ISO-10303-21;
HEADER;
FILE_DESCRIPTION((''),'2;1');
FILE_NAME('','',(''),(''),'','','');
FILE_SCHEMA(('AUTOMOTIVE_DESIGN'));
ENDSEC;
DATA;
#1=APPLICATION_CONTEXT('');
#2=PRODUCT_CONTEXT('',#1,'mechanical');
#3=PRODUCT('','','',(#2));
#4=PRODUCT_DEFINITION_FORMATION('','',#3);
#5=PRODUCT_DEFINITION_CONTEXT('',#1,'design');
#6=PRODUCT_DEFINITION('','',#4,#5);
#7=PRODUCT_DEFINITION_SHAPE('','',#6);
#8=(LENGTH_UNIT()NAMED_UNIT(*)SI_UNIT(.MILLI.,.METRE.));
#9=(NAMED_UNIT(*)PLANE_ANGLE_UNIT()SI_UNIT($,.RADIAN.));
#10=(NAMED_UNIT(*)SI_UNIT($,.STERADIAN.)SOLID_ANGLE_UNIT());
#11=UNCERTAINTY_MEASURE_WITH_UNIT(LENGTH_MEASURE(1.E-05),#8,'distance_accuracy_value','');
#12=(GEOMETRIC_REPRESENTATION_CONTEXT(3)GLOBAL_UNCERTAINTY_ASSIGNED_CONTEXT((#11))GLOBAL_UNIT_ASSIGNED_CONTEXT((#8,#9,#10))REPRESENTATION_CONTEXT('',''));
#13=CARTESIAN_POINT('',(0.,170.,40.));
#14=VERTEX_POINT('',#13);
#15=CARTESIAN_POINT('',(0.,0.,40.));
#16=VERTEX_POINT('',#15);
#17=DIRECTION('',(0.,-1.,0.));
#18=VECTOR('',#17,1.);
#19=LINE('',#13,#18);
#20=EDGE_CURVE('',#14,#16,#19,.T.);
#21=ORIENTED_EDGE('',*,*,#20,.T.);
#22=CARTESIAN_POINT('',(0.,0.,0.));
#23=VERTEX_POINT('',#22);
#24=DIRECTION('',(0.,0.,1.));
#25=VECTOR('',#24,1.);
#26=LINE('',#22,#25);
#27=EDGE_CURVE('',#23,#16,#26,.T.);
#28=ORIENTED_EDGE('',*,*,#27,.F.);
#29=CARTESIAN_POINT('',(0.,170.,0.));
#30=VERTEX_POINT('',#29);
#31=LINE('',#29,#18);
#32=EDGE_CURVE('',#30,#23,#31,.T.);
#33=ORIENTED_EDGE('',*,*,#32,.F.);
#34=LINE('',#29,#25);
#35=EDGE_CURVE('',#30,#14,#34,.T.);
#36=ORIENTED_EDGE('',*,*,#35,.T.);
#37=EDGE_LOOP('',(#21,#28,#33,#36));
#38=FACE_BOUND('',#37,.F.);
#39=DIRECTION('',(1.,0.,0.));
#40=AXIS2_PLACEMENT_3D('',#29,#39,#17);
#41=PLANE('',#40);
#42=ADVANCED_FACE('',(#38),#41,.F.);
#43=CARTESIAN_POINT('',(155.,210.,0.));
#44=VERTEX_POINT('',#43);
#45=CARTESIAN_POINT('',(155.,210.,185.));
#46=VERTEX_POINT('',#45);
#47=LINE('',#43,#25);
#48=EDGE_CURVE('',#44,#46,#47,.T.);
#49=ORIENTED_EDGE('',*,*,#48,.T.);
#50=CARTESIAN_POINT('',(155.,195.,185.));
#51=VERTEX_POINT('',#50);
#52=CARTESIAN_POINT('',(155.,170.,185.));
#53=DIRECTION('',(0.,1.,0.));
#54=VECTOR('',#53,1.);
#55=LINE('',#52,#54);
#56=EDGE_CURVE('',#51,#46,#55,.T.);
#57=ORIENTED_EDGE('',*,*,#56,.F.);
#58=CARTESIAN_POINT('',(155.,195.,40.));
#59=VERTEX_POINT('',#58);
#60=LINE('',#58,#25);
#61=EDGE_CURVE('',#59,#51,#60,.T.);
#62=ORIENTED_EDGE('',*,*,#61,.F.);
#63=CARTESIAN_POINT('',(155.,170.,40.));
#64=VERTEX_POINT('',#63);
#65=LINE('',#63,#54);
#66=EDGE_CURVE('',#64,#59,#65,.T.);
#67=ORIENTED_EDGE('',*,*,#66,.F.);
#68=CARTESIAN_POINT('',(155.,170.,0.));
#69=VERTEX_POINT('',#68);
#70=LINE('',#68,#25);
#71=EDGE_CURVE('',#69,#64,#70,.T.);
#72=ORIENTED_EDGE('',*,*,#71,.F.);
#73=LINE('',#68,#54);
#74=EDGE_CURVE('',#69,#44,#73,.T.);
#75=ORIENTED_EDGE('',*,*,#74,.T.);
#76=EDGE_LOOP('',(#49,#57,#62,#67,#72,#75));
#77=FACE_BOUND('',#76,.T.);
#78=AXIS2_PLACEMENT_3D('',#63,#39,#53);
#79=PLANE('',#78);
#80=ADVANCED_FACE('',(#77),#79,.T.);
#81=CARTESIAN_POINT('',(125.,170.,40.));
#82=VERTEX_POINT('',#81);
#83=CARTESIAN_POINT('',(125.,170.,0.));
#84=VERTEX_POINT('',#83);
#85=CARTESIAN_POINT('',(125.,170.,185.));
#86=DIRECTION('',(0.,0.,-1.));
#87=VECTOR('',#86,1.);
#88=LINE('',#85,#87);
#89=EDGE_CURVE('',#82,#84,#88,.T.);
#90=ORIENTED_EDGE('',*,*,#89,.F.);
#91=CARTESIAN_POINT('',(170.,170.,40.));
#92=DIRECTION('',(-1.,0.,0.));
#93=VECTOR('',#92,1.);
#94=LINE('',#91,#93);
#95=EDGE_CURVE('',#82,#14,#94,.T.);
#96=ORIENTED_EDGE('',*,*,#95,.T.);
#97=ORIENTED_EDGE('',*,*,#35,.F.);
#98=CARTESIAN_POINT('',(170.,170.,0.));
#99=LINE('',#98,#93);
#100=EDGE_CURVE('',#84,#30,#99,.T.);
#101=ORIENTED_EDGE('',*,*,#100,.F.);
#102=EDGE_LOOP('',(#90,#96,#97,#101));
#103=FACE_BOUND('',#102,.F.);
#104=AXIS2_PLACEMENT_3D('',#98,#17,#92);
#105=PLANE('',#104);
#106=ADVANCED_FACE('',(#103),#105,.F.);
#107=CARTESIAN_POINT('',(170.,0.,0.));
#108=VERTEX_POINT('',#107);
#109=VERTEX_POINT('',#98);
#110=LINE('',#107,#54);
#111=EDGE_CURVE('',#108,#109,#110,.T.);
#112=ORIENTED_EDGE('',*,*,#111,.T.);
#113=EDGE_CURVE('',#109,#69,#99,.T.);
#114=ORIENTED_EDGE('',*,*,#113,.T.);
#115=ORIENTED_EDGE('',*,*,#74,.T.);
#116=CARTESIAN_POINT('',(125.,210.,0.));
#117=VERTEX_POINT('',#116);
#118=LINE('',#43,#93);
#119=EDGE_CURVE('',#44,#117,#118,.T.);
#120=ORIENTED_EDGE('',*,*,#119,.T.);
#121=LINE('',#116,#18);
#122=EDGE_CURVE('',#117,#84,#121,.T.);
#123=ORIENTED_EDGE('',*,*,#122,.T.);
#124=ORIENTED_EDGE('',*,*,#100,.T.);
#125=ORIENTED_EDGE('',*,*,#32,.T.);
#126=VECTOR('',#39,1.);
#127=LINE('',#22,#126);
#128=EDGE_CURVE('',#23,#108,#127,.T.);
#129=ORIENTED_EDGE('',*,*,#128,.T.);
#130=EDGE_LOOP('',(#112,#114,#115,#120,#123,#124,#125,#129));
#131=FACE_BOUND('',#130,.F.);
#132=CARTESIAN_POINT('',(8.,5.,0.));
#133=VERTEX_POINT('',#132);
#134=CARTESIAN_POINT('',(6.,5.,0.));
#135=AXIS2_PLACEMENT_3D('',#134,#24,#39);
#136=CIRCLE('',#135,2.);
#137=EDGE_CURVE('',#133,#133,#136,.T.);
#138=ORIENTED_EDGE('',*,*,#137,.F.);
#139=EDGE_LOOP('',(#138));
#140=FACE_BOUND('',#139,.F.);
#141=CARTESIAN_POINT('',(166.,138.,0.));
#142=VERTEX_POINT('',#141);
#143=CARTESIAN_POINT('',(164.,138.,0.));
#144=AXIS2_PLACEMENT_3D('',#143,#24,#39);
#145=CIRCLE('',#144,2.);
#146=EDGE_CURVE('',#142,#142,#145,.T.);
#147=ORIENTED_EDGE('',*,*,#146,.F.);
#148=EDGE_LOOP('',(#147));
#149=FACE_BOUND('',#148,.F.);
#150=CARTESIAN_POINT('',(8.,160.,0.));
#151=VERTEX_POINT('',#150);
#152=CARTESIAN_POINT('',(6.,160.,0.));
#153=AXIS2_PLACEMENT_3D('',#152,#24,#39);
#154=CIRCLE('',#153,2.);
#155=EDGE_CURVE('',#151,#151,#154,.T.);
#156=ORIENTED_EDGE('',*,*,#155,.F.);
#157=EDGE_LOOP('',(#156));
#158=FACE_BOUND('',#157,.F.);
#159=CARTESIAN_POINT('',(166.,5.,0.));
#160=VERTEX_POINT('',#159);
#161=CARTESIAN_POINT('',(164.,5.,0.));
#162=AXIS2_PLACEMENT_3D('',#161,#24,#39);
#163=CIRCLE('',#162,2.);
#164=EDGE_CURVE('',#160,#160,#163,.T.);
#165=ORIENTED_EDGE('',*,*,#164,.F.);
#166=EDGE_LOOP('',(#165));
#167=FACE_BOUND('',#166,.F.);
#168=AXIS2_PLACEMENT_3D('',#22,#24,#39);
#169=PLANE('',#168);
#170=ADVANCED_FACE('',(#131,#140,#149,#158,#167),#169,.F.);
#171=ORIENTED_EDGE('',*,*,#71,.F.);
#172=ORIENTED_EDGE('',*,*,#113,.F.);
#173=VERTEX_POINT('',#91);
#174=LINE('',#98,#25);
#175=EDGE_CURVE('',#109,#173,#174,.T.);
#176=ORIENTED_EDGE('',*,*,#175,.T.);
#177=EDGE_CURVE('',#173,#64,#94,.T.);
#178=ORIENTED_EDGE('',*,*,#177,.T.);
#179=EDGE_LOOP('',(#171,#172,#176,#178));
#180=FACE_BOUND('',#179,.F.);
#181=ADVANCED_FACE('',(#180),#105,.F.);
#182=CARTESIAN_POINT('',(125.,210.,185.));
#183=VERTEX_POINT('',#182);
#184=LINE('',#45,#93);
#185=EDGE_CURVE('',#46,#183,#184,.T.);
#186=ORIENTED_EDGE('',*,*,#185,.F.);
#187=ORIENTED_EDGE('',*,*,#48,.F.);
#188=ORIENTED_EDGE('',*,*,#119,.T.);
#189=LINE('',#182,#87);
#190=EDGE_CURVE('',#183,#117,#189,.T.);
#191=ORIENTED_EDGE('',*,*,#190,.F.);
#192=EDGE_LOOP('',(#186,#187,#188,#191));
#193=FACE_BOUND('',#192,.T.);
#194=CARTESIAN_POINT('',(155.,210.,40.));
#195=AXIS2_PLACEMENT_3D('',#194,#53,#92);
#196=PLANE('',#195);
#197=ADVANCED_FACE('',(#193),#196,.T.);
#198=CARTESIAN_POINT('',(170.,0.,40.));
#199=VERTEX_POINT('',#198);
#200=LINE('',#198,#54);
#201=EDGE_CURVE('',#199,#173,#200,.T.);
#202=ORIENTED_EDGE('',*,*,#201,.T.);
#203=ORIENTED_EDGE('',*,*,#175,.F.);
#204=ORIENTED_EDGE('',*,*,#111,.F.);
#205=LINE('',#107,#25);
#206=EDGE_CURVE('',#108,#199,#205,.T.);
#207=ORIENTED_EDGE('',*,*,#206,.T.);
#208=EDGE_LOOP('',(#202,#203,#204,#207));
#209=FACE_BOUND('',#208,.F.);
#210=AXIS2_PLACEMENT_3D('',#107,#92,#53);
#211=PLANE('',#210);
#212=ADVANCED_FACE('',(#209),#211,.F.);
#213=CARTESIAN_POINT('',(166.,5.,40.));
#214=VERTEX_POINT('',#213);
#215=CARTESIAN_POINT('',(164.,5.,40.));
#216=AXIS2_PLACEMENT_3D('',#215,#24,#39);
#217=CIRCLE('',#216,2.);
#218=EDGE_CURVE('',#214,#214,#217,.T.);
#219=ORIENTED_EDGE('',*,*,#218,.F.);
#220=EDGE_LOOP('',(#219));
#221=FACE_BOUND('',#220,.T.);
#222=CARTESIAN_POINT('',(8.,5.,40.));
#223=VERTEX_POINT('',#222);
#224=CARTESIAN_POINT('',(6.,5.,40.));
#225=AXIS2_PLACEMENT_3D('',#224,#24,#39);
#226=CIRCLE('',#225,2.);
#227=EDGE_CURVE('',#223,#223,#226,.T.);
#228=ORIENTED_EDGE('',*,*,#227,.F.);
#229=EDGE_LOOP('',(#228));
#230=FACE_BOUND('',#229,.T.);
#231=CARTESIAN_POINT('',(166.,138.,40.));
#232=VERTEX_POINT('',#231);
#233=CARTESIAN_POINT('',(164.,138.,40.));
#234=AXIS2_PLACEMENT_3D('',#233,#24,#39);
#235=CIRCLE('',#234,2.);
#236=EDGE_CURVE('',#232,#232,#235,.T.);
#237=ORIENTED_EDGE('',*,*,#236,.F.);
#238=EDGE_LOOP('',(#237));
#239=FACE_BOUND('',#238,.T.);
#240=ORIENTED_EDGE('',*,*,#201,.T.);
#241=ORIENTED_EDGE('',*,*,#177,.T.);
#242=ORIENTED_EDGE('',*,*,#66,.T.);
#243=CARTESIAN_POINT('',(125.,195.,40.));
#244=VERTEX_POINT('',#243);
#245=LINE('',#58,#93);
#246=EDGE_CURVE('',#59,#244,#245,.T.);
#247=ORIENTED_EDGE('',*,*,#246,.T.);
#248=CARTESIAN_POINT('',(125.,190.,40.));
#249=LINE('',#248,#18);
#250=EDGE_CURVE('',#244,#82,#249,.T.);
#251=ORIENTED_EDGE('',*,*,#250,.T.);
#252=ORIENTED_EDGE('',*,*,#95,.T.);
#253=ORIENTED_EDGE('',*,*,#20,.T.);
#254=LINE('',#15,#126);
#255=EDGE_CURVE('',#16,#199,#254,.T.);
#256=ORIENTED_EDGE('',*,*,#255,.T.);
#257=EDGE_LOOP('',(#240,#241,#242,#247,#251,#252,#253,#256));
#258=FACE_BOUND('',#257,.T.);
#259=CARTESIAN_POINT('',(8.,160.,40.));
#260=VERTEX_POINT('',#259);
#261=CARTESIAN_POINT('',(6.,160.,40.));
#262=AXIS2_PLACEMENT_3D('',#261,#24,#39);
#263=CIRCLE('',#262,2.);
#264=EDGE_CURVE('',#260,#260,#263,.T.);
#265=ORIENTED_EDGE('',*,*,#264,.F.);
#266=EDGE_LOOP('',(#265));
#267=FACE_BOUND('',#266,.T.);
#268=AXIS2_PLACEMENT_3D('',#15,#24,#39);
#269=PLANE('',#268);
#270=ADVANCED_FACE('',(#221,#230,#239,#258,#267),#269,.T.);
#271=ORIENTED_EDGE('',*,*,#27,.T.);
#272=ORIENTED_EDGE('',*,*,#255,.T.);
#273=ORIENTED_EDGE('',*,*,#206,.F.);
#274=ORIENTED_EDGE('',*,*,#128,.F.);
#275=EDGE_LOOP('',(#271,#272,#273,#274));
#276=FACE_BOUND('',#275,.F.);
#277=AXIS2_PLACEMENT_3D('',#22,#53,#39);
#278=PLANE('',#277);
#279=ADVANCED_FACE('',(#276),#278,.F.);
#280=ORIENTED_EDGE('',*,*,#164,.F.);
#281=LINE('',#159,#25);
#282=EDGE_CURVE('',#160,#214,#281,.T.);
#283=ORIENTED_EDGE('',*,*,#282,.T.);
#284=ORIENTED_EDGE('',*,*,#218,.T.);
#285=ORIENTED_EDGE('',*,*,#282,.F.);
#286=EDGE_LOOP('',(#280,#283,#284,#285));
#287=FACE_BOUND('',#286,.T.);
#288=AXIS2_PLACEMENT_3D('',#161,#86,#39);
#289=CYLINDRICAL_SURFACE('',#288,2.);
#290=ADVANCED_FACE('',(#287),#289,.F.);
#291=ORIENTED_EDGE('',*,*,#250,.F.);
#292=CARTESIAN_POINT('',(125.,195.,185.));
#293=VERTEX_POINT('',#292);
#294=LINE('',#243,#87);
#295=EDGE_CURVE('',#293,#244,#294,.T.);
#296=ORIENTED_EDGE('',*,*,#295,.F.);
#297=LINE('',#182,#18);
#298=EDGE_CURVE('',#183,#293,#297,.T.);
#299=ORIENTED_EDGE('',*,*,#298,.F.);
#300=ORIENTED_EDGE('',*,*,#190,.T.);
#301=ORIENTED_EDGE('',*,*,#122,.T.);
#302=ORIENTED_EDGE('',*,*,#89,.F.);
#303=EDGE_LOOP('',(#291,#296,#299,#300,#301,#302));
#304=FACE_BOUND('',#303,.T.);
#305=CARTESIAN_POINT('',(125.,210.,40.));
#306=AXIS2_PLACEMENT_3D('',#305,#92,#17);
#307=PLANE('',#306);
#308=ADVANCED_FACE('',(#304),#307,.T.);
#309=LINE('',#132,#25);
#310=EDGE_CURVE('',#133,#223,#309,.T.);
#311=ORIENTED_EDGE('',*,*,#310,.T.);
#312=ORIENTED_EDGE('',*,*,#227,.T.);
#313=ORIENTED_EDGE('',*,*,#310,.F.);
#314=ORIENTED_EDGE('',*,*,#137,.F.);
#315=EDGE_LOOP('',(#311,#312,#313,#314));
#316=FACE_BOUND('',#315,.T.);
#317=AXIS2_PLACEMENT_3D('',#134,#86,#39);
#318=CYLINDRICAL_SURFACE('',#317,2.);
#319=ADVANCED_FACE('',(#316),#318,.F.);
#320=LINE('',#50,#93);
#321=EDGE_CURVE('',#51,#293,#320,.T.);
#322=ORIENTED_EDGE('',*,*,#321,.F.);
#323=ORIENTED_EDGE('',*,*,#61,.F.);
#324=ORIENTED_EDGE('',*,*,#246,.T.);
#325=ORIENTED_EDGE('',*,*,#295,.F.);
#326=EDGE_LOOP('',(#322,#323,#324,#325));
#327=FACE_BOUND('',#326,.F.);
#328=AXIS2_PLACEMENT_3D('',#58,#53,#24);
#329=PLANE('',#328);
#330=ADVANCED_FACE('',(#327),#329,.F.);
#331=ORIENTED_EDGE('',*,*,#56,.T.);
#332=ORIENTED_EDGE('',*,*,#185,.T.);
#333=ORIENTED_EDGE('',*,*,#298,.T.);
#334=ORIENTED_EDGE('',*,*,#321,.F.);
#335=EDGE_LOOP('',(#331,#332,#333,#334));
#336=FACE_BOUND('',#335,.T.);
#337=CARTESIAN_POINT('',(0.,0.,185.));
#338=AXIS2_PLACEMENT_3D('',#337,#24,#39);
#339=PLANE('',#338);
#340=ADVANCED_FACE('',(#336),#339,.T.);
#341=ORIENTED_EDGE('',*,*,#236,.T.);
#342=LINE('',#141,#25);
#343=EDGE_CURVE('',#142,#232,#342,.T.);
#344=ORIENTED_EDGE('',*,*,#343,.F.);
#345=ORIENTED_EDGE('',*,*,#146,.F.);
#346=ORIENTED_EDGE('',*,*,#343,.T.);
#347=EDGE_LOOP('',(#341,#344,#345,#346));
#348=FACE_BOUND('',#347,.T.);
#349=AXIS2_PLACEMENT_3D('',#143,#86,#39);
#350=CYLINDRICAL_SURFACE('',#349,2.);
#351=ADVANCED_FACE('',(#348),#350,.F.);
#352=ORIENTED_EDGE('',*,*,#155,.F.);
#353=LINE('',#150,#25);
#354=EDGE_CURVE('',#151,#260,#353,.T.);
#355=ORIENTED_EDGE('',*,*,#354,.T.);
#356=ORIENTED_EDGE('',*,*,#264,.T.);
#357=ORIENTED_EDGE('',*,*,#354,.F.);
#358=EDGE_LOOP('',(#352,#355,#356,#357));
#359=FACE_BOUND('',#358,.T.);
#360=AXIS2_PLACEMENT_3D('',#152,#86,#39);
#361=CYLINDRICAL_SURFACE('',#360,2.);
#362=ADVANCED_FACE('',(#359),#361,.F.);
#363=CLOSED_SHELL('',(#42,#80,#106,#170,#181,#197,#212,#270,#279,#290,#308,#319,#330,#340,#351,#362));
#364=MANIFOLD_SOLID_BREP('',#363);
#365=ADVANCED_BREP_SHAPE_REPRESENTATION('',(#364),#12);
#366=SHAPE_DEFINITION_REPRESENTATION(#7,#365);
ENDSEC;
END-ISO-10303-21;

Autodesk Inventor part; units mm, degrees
ref_plane "YZ Plane" through (0, 0, 0) normal (1, 0, 0) x (0, 1, 0)
ref_plane "XZ Plane" through (0, 0, 0) normal (0, 1, 0) x (-1, 0, 0)
ref_plane "XY Plane" through (0, 0, 0) normal (0, 0, 1) x (1, 0, 0)
sketch "Sketch1" plane through (0, 0, 0) normal (0, 0, 1) x (1, 0, 0)
  line L0 (0, 0) -> (170, 0)
  line L1 (170, 0) -> (170, 170)
  line L2 (170, 170) -> (0, 170)
  line L3 (0, 170) -> (0, 0)
  circle A0 centre (6, 5) radius 2
  circle A1 centre (164, 5) radius 2
  circle A2 centre (164, 138) radius 2
  circle A3 centre (6, 160) radius 2
  line L4 (6, 5) -> (164, 5) construction
  point P0 (85, 5)
  point P1 (85, 0)
  dimension "d0" = 170
  dimension "d1" = 170
  dimension "d2" = 4
  dimension "d3" = 4
  dimension "d4" = 4
  dimension "d5" = 4
  dimension "d6" = 158
  dimension "d7" = 155
  dimension "d8" = 133
  dimension "d9" = 32
extrude "Extrusion1" add sketch "Sketch1" along normal blind 40
sketch "Sketch2" plane through (0, 0, 40) normal (0, 0, 1) x (1, 0, 0)
  line L0 (170, 170) -> (0, 170) projected
  line L1 (125, 170) -> (155, 170)
  line L2 (155, 170) -> (155, 210)
  line L3 (155, 210) -> (125, 210)
  line L4 (125, 210) -> (125, 170)
  line L5 (170, 0) -> (170, 170) projected
  point P0 (0, 0)
  dimension "d12" = 30
  dimension "d13" = 40
  dimension "d14" = 15
extrude "Extrusion2" add sketch "Sketch2" against normal blind 40 and the other way blind 145
sketch "Sketch3" plane through (155, 170, 0) normal (1, 0, 0) x (0, 0, -1)
  line L0 (-185, 0) -> (-40, 0) projected
  line L1 (-185, 0) -> (-40, 0)
  line L2 (-40, 0) -> (-40, 25)
  line L3 (-40, 25) -> (-185, 25)
  line L4 (-185, 25) -> (-185, 0)
  point P0 (0, -170)
  dimension "d19" = 25
extrude "Extrusion3" cut sketch "Sketch3" against normal through all
properties part number "NVIDIA Jetson TX2" material "ABS Plastic"
